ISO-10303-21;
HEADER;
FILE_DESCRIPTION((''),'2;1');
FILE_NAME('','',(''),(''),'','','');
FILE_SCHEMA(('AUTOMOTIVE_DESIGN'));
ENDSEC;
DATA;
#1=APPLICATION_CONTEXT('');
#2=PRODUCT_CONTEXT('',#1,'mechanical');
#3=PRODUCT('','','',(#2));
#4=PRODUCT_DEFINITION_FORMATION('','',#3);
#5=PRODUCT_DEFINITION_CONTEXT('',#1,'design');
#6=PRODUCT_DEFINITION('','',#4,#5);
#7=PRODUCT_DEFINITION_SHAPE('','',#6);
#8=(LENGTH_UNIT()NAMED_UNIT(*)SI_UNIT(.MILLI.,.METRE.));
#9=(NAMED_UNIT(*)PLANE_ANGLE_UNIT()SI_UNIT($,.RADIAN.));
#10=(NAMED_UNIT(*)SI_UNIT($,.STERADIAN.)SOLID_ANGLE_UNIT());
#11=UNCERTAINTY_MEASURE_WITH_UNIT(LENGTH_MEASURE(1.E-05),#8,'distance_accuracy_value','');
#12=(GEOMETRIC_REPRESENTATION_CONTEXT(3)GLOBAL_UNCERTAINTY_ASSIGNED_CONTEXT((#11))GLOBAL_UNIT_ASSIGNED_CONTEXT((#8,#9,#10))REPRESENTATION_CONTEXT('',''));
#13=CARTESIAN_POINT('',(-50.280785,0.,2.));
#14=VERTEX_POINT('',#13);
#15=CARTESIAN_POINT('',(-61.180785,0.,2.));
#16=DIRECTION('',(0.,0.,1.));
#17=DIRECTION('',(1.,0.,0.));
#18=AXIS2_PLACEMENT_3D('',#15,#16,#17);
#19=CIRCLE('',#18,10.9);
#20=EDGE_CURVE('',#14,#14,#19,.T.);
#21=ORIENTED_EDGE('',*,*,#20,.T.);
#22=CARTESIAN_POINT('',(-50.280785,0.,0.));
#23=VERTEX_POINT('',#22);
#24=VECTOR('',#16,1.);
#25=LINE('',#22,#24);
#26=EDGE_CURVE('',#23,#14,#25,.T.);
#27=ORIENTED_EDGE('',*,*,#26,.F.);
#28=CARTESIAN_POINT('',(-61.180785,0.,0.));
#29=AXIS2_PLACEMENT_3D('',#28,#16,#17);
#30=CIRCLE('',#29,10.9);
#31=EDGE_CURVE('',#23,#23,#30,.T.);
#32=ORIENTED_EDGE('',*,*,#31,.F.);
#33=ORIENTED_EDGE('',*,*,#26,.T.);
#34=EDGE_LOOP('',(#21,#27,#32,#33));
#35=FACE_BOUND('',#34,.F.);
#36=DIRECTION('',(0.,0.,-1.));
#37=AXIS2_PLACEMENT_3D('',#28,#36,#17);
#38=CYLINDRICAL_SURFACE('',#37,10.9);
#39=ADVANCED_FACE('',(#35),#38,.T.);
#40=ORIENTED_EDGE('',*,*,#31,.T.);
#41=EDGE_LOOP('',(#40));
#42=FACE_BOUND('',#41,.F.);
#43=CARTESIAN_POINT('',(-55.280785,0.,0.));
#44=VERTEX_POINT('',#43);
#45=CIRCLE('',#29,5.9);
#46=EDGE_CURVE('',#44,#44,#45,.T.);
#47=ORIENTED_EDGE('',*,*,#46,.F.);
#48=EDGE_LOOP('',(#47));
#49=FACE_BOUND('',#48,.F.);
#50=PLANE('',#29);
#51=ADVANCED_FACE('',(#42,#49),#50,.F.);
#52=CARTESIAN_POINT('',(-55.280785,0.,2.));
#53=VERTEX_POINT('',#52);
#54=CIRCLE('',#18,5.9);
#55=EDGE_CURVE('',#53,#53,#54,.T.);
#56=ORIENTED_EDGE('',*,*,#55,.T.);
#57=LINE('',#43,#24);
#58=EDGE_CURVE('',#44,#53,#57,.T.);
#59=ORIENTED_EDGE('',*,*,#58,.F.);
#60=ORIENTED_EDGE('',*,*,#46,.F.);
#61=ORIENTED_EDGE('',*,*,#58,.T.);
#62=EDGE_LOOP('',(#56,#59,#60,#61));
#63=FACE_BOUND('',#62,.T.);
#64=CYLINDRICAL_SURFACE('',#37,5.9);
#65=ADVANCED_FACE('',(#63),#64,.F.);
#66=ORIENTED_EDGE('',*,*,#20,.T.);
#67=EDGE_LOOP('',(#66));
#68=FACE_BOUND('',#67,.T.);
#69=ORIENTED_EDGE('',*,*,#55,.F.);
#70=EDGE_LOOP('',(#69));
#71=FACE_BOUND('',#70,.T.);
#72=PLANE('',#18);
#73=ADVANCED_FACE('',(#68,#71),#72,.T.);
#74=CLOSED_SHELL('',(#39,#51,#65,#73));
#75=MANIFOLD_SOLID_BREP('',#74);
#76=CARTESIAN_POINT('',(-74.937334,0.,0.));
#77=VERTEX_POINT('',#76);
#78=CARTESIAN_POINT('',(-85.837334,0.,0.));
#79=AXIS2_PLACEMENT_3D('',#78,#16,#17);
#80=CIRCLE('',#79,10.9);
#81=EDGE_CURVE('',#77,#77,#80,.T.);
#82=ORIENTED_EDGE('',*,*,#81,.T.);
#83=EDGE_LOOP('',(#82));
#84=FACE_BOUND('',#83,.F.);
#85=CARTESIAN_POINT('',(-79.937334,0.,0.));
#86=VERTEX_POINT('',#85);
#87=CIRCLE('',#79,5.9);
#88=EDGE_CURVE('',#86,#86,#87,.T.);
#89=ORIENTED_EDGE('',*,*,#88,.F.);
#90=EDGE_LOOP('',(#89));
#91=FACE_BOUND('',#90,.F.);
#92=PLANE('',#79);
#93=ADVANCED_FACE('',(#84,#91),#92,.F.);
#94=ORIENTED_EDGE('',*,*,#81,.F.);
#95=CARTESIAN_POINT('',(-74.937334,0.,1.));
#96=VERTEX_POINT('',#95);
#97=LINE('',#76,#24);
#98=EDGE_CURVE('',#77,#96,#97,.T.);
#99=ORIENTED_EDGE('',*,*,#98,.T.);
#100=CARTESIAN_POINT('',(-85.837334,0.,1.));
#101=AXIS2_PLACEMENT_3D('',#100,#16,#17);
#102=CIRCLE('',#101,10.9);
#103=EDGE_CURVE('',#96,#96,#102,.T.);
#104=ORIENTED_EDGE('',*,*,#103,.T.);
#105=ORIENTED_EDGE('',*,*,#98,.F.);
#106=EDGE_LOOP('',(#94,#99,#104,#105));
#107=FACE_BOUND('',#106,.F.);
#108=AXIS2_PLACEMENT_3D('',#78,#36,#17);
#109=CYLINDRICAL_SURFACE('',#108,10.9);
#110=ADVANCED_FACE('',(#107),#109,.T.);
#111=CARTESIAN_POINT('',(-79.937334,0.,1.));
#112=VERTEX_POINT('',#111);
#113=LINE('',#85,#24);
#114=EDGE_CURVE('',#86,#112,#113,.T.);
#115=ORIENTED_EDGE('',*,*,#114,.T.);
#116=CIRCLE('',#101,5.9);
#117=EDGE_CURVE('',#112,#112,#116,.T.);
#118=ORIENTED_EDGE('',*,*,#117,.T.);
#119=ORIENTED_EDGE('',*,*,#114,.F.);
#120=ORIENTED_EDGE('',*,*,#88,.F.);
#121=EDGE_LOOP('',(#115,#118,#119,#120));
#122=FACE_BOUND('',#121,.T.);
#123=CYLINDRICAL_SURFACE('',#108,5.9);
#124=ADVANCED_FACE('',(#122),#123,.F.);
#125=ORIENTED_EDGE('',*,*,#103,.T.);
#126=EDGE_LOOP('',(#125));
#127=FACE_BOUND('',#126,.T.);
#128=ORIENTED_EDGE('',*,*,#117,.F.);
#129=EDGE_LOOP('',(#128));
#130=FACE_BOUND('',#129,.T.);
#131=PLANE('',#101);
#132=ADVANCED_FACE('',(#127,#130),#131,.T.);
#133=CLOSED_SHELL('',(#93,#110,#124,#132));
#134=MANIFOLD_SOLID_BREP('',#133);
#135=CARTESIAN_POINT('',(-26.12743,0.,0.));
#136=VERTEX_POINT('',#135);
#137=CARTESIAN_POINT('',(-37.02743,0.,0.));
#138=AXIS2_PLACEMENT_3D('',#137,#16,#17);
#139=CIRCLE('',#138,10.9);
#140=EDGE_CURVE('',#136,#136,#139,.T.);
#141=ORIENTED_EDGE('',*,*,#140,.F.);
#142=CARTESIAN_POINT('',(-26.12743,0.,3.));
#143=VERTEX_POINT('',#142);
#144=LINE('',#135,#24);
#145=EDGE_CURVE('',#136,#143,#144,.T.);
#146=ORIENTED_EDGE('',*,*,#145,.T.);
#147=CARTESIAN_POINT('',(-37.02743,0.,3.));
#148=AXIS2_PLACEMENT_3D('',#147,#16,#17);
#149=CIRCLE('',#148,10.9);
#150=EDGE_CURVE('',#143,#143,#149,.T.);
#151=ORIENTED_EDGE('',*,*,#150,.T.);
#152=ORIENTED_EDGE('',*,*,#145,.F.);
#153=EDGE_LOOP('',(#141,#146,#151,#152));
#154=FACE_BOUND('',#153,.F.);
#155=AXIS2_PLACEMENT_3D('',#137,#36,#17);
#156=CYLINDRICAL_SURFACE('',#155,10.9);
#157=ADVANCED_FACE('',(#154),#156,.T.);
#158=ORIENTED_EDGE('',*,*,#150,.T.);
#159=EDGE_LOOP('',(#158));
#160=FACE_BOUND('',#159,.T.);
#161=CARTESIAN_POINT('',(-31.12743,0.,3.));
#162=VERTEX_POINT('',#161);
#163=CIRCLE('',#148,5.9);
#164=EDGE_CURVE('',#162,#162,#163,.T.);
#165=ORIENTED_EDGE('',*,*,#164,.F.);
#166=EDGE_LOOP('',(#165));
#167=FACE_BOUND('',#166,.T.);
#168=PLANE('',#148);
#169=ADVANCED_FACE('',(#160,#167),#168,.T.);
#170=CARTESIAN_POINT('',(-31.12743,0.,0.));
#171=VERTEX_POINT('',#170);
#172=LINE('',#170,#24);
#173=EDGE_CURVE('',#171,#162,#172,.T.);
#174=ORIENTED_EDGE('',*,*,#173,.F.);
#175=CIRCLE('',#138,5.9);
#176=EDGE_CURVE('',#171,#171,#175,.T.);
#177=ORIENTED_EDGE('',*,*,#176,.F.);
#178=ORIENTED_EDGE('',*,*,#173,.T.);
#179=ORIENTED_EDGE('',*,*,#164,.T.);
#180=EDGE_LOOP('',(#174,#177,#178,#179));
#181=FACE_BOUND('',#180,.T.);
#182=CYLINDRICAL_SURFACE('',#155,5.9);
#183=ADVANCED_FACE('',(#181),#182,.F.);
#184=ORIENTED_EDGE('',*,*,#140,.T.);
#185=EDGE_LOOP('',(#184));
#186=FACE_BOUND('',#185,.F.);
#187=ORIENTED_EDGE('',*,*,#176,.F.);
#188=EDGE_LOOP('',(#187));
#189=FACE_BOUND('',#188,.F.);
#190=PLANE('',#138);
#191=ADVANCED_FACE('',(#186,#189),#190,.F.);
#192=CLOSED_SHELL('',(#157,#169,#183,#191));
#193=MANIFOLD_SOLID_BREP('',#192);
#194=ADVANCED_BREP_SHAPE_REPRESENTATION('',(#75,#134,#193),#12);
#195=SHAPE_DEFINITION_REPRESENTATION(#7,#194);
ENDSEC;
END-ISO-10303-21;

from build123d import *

# Parameters (mm, degrees)
F0_R     = 10.9
F0_R_2   = 5.9
F1_DEPTH = 1
F2_DEPTH = 2
F3_DEPTH = 3


with BuildPart() as f1:
    # F0 (on Top) → F1 (new body)
    with BuildSketch(Plane.XY):
        with Locations((-85.837334, 0)):
            Circle(F0_R)
        with Locations((-85.837334, 0)):
            Circle(F0_R_2, mode=Mode.SUBTRACT)
    extrude(amount=F1_DEPTH)


with BuildPart() as f2:
    # F0 (on Top) → F2 (new body)
    with BuildSketch(Plane.XY):
        with Locations((-61.180785, 0)):
            Circle(F0_R)
        with Locations((-61.180785, 0)):
            Circle(F0_R_2, mode=Mode.SUBTRACT)
    extrude(amount=F2_DEPTH)


with BuildPart() as f3:
    # F0 (on Top) → F3 (new body)
    with BuildSketch(Plane.XY):
        with Locations((-37.02743, 0)):
            Circle(F0_R)
        with Locations((-37.02743, 0)):
            Circle(F0_R_2, mode=Mode.SUBTRACT)
    extrude(amount=F3_DEPTH)


solid = Compound([f1.part, f2.part, f3.part])
